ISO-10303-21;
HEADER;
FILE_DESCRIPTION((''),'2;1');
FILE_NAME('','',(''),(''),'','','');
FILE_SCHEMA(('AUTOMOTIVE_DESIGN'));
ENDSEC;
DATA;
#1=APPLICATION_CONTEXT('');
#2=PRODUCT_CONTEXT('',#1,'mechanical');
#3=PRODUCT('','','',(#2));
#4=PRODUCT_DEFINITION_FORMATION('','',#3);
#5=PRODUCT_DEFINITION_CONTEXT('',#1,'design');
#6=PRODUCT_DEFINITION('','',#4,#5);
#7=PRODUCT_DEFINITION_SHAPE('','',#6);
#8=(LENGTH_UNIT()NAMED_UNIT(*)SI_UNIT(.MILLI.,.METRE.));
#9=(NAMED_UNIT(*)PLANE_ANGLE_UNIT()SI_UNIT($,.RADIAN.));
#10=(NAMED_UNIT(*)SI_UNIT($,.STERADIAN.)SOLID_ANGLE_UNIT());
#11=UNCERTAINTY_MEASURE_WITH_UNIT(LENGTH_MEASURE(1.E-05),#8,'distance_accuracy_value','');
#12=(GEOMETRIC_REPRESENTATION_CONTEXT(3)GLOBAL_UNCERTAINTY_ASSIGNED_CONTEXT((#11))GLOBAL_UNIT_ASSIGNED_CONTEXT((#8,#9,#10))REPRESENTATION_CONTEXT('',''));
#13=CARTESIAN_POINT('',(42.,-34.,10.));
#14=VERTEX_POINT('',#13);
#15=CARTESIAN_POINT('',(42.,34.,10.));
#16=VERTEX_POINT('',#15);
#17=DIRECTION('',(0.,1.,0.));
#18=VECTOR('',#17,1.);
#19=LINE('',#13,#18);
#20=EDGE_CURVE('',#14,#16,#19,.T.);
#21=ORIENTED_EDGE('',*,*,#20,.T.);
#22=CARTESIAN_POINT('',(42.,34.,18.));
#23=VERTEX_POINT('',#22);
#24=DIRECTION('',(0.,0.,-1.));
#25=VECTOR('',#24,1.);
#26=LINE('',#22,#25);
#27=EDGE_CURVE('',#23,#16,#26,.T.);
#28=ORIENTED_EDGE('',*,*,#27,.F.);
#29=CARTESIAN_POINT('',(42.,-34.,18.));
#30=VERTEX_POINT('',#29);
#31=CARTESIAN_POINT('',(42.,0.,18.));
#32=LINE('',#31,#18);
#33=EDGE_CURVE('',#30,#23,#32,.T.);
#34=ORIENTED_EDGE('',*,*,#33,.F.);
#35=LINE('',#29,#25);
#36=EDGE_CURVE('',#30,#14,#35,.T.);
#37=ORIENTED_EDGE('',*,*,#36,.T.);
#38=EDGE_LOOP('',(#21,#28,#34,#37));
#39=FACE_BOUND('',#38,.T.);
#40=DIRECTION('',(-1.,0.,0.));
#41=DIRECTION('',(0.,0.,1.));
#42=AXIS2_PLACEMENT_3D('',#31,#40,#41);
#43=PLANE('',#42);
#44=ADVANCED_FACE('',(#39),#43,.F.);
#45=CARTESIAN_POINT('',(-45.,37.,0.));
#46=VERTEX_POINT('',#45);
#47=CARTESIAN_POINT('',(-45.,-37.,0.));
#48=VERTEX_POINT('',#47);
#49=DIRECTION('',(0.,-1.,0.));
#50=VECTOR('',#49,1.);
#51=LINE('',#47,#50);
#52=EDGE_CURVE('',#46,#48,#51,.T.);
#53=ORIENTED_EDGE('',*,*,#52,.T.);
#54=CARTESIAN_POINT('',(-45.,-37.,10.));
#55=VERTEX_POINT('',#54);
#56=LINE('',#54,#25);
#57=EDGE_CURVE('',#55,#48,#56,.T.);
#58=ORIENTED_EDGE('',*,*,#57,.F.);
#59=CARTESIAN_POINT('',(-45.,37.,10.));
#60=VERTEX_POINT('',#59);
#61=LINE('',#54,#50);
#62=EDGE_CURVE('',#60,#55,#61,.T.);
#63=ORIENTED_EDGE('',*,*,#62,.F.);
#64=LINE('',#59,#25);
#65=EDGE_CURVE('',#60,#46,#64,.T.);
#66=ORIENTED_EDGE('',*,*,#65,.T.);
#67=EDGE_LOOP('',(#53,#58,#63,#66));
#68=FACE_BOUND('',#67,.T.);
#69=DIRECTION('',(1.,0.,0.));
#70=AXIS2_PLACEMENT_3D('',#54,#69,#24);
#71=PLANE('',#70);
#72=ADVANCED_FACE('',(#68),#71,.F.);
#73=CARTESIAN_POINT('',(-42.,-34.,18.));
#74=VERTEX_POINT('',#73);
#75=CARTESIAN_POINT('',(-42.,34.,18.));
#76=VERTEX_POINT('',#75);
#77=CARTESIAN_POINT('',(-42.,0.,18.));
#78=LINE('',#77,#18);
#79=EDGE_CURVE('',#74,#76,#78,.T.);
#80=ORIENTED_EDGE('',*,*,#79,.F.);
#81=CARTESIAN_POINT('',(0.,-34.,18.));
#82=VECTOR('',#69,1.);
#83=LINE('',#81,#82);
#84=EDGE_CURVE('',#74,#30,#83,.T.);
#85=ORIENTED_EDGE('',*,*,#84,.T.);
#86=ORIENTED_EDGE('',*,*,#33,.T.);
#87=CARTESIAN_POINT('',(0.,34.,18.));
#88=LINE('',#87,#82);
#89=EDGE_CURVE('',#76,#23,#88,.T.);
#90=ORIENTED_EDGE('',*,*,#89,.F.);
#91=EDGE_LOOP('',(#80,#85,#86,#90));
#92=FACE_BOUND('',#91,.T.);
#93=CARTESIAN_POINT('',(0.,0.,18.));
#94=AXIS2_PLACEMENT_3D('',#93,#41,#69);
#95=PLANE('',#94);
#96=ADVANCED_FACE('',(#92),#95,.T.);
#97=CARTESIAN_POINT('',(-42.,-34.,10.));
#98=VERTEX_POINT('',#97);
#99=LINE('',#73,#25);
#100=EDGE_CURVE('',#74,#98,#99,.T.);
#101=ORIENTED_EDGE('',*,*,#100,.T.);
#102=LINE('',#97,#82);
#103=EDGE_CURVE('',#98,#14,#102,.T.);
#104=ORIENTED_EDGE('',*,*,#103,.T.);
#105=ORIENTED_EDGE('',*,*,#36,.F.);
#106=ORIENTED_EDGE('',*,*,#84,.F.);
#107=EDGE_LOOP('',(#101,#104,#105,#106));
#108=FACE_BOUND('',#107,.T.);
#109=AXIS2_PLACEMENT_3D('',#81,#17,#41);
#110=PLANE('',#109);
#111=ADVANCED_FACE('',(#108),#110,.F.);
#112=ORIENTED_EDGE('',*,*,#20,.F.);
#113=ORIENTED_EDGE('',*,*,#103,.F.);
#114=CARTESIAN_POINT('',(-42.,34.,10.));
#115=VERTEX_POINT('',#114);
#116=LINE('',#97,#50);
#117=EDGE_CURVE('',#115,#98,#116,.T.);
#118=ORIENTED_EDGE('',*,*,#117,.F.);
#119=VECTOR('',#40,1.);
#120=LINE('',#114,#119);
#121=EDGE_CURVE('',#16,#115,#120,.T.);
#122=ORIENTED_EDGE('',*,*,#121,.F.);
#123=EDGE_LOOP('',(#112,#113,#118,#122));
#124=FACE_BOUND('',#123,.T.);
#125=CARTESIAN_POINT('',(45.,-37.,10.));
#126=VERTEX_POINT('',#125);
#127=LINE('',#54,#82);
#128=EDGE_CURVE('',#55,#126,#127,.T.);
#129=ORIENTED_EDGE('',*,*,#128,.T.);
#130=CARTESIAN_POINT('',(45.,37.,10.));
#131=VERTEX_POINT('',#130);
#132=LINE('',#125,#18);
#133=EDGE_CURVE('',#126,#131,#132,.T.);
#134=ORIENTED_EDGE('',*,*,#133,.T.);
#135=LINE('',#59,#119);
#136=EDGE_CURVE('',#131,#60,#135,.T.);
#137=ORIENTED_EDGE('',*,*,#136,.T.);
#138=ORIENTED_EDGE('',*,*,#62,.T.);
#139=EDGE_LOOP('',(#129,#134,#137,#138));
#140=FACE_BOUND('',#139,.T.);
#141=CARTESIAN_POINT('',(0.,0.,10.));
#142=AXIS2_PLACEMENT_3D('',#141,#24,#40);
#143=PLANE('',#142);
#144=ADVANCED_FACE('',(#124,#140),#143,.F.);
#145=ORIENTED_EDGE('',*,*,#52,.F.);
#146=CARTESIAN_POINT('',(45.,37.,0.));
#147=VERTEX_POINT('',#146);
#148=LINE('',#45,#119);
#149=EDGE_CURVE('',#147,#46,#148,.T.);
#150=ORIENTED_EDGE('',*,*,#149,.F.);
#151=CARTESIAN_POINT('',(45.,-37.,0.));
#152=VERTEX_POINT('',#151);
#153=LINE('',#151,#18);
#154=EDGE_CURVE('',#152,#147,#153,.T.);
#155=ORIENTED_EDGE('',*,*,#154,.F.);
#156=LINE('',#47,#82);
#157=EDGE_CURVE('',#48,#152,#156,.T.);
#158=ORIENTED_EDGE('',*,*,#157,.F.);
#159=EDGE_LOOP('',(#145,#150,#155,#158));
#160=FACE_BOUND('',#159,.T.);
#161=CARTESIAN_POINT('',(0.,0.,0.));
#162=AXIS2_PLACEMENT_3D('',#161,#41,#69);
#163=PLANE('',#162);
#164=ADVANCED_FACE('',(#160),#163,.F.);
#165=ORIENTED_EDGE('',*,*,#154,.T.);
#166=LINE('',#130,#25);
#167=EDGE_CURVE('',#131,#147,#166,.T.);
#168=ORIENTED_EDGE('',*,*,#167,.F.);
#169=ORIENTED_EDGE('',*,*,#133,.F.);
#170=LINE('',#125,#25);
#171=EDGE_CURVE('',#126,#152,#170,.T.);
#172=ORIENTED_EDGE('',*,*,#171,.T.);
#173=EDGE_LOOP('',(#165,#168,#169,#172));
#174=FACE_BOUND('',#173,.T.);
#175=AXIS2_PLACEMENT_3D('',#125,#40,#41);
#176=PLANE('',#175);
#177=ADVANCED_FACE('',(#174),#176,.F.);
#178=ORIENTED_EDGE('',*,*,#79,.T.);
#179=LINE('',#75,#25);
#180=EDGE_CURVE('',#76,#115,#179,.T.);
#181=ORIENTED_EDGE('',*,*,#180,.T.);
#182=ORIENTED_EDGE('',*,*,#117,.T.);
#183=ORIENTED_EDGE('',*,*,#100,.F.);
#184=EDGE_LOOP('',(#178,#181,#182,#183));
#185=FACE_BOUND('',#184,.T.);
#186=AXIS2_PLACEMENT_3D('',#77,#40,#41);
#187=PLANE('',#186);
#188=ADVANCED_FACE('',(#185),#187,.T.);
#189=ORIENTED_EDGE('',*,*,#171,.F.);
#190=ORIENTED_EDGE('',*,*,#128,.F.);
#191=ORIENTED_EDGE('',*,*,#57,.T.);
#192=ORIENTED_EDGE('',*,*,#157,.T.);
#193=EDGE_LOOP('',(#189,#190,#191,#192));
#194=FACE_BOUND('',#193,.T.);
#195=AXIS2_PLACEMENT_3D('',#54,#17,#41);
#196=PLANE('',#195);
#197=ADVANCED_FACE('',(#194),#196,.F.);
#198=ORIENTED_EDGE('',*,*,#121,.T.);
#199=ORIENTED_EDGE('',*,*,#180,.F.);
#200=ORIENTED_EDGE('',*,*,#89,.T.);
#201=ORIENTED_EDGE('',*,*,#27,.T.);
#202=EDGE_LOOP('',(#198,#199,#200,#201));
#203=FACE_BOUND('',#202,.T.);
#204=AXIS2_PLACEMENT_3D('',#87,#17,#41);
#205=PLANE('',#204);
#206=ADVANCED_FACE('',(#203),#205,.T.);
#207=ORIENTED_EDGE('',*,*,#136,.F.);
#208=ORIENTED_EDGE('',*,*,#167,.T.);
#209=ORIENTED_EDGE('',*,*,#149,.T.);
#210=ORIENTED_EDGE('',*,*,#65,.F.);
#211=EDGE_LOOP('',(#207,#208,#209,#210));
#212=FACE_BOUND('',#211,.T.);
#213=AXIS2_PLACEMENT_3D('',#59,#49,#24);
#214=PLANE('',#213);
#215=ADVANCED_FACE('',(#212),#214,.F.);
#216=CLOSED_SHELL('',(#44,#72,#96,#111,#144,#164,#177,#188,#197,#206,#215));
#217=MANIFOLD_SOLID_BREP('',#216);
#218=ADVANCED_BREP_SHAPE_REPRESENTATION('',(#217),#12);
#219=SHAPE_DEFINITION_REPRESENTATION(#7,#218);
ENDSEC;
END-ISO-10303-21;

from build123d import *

# Parameters (mm, degrees)
SKETCH1_W           = 84
SKETCH1_H           = 68
BOSS_EXTRUDE1_DEPTH = 18
SKETCH1_3_W         = 90
SKETCH1_3_H         = 74
SKETCH1_3_W_2       = 84
SKETCH1_3_H_2       = 68
BOSS_EXTRUDE2_DEPTH = 10


with BuildPart() as part:
    # Sketch1 → Boss-Extrude1 (new body)
    with BuildSketch(Plane.XY):
        Rectangle(SKETCH1_W, SKETCH1_H)
    extrude(amount=BOSS_EXTRUDE1_DEPTH)

    # Sketch1<3> → Boss-Extrude2 (add)
    with BuildSketch(Plane.XY):
        Rectangle(SKETCH1_3_W, SKETCH1_3_H)
        Rectangle(SKETCH1_3_W_2, SKETCH1_3_H_2, mode=Mode.SUBTRACT)
    extrude(amount=BOSS_EXTRUDE2_DEPTH)


solid = part.part
